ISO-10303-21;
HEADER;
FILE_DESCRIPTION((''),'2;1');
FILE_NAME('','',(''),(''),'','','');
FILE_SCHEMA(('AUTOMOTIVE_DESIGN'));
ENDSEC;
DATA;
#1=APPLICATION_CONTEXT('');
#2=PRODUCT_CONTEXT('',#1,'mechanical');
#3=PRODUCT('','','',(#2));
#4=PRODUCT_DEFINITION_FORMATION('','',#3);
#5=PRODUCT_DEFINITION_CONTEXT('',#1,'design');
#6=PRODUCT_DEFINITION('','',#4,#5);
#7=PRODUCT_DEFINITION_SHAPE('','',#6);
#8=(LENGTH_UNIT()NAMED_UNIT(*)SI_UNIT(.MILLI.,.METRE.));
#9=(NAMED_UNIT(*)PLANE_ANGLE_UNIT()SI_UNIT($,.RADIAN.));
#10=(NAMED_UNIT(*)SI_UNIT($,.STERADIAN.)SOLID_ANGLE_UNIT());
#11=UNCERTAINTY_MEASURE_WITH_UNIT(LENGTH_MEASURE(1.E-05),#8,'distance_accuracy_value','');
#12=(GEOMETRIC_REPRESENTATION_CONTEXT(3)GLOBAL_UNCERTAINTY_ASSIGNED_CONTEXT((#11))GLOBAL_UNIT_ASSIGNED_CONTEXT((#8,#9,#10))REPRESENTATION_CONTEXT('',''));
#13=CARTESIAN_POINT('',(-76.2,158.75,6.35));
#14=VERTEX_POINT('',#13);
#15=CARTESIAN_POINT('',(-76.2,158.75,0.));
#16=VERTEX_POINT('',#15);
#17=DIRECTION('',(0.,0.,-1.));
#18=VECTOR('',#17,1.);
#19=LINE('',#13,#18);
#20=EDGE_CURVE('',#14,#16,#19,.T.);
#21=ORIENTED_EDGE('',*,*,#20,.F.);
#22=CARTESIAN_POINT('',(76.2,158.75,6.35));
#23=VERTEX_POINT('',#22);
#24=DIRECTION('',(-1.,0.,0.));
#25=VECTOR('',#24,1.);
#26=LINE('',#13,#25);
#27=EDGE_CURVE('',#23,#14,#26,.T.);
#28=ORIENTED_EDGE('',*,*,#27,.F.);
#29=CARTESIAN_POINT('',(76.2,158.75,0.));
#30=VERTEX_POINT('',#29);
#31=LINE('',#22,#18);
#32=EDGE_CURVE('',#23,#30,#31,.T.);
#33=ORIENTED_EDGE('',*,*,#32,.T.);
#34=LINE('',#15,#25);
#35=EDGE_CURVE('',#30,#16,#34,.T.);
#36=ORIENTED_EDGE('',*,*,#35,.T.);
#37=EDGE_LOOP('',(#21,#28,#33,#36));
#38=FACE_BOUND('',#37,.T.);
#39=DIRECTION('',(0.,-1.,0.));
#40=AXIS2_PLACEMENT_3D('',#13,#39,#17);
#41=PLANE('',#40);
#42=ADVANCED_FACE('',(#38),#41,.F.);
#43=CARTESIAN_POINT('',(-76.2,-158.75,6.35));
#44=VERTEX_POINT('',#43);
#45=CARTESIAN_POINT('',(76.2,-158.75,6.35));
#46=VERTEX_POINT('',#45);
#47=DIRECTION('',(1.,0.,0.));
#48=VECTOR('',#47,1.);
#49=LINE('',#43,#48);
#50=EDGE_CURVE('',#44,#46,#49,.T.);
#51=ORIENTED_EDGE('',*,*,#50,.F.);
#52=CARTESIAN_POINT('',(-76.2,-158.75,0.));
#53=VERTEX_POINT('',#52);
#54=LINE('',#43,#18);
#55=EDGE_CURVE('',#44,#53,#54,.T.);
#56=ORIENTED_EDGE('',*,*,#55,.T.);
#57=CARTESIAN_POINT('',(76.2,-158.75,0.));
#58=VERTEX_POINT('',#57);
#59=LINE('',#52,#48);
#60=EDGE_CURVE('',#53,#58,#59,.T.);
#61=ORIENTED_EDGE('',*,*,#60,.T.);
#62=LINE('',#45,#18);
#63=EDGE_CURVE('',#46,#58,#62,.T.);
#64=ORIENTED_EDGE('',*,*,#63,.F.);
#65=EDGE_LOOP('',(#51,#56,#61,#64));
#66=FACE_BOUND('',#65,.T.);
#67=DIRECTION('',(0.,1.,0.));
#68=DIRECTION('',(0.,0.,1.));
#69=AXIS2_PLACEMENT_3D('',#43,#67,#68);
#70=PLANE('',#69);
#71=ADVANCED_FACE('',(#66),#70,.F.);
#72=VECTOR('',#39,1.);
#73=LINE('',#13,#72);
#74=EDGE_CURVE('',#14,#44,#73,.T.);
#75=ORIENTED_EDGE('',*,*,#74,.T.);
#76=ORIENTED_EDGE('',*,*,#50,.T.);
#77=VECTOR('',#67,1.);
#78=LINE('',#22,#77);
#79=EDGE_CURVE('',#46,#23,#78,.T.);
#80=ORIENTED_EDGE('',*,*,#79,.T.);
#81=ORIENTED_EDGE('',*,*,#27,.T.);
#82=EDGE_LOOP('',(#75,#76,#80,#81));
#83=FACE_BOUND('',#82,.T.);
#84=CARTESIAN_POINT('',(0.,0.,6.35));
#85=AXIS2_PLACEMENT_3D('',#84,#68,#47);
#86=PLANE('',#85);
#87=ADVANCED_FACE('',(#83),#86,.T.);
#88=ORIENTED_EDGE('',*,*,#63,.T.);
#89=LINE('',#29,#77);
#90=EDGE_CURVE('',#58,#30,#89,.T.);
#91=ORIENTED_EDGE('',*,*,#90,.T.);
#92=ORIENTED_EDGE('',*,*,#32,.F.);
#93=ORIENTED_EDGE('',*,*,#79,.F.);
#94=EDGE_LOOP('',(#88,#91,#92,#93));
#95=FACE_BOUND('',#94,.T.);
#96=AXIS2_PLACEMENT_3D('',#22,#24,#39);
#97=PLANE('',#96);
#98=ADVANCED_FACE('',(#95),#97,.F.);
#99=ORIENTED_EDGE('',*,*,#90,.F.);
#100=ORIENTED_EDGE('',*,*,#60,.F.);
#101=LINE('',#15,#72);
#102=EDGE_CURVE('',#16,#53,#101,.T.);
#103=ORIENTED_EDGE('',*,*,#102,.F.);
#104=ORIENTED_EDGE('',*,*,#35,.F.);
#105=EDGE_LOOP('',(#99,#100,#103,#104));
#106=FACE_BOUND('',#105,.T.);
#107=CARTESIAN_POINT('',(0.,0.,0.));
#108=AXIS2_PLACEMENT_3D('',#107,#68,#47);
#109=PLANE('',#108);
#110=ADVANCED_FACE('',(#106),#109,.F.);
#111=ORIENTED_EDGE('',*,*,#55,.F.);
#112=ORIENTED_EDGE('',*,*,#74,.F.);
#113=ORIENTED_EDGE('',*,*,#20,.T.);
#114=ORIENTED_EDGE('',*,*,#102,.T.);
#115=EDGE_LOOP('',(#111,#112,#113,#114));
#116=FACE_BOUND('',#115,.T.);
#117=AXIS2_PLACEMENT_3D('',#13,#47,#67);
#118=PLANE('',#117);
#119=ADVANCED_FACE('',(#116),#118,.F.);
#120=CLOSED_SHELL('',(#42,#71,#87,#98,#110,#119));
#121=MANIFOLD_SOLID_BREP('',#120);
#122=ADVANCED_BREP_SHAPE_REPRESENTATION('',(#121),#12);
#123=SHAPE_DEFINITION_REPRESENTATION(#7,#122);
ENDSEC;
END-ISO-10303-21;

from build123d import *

# Parameters (mm, degrees)
CROQUIS2_W              = 152.4
CROQUIS2_H              = 317.5
SALIENTE_EXTRUIR1_DEPTH = 6.35


with BuildPart() as part:
    # Croquis2 → Saliente-Extruir1 (new body)
    with BuildSketch(Plane.XY):
        Rectangle(CROQUIS2_W, CROQUIS2_H)
    extrude(amount=SALIENTE_EXTRUIR1_DEPTH)


solid = part.part
